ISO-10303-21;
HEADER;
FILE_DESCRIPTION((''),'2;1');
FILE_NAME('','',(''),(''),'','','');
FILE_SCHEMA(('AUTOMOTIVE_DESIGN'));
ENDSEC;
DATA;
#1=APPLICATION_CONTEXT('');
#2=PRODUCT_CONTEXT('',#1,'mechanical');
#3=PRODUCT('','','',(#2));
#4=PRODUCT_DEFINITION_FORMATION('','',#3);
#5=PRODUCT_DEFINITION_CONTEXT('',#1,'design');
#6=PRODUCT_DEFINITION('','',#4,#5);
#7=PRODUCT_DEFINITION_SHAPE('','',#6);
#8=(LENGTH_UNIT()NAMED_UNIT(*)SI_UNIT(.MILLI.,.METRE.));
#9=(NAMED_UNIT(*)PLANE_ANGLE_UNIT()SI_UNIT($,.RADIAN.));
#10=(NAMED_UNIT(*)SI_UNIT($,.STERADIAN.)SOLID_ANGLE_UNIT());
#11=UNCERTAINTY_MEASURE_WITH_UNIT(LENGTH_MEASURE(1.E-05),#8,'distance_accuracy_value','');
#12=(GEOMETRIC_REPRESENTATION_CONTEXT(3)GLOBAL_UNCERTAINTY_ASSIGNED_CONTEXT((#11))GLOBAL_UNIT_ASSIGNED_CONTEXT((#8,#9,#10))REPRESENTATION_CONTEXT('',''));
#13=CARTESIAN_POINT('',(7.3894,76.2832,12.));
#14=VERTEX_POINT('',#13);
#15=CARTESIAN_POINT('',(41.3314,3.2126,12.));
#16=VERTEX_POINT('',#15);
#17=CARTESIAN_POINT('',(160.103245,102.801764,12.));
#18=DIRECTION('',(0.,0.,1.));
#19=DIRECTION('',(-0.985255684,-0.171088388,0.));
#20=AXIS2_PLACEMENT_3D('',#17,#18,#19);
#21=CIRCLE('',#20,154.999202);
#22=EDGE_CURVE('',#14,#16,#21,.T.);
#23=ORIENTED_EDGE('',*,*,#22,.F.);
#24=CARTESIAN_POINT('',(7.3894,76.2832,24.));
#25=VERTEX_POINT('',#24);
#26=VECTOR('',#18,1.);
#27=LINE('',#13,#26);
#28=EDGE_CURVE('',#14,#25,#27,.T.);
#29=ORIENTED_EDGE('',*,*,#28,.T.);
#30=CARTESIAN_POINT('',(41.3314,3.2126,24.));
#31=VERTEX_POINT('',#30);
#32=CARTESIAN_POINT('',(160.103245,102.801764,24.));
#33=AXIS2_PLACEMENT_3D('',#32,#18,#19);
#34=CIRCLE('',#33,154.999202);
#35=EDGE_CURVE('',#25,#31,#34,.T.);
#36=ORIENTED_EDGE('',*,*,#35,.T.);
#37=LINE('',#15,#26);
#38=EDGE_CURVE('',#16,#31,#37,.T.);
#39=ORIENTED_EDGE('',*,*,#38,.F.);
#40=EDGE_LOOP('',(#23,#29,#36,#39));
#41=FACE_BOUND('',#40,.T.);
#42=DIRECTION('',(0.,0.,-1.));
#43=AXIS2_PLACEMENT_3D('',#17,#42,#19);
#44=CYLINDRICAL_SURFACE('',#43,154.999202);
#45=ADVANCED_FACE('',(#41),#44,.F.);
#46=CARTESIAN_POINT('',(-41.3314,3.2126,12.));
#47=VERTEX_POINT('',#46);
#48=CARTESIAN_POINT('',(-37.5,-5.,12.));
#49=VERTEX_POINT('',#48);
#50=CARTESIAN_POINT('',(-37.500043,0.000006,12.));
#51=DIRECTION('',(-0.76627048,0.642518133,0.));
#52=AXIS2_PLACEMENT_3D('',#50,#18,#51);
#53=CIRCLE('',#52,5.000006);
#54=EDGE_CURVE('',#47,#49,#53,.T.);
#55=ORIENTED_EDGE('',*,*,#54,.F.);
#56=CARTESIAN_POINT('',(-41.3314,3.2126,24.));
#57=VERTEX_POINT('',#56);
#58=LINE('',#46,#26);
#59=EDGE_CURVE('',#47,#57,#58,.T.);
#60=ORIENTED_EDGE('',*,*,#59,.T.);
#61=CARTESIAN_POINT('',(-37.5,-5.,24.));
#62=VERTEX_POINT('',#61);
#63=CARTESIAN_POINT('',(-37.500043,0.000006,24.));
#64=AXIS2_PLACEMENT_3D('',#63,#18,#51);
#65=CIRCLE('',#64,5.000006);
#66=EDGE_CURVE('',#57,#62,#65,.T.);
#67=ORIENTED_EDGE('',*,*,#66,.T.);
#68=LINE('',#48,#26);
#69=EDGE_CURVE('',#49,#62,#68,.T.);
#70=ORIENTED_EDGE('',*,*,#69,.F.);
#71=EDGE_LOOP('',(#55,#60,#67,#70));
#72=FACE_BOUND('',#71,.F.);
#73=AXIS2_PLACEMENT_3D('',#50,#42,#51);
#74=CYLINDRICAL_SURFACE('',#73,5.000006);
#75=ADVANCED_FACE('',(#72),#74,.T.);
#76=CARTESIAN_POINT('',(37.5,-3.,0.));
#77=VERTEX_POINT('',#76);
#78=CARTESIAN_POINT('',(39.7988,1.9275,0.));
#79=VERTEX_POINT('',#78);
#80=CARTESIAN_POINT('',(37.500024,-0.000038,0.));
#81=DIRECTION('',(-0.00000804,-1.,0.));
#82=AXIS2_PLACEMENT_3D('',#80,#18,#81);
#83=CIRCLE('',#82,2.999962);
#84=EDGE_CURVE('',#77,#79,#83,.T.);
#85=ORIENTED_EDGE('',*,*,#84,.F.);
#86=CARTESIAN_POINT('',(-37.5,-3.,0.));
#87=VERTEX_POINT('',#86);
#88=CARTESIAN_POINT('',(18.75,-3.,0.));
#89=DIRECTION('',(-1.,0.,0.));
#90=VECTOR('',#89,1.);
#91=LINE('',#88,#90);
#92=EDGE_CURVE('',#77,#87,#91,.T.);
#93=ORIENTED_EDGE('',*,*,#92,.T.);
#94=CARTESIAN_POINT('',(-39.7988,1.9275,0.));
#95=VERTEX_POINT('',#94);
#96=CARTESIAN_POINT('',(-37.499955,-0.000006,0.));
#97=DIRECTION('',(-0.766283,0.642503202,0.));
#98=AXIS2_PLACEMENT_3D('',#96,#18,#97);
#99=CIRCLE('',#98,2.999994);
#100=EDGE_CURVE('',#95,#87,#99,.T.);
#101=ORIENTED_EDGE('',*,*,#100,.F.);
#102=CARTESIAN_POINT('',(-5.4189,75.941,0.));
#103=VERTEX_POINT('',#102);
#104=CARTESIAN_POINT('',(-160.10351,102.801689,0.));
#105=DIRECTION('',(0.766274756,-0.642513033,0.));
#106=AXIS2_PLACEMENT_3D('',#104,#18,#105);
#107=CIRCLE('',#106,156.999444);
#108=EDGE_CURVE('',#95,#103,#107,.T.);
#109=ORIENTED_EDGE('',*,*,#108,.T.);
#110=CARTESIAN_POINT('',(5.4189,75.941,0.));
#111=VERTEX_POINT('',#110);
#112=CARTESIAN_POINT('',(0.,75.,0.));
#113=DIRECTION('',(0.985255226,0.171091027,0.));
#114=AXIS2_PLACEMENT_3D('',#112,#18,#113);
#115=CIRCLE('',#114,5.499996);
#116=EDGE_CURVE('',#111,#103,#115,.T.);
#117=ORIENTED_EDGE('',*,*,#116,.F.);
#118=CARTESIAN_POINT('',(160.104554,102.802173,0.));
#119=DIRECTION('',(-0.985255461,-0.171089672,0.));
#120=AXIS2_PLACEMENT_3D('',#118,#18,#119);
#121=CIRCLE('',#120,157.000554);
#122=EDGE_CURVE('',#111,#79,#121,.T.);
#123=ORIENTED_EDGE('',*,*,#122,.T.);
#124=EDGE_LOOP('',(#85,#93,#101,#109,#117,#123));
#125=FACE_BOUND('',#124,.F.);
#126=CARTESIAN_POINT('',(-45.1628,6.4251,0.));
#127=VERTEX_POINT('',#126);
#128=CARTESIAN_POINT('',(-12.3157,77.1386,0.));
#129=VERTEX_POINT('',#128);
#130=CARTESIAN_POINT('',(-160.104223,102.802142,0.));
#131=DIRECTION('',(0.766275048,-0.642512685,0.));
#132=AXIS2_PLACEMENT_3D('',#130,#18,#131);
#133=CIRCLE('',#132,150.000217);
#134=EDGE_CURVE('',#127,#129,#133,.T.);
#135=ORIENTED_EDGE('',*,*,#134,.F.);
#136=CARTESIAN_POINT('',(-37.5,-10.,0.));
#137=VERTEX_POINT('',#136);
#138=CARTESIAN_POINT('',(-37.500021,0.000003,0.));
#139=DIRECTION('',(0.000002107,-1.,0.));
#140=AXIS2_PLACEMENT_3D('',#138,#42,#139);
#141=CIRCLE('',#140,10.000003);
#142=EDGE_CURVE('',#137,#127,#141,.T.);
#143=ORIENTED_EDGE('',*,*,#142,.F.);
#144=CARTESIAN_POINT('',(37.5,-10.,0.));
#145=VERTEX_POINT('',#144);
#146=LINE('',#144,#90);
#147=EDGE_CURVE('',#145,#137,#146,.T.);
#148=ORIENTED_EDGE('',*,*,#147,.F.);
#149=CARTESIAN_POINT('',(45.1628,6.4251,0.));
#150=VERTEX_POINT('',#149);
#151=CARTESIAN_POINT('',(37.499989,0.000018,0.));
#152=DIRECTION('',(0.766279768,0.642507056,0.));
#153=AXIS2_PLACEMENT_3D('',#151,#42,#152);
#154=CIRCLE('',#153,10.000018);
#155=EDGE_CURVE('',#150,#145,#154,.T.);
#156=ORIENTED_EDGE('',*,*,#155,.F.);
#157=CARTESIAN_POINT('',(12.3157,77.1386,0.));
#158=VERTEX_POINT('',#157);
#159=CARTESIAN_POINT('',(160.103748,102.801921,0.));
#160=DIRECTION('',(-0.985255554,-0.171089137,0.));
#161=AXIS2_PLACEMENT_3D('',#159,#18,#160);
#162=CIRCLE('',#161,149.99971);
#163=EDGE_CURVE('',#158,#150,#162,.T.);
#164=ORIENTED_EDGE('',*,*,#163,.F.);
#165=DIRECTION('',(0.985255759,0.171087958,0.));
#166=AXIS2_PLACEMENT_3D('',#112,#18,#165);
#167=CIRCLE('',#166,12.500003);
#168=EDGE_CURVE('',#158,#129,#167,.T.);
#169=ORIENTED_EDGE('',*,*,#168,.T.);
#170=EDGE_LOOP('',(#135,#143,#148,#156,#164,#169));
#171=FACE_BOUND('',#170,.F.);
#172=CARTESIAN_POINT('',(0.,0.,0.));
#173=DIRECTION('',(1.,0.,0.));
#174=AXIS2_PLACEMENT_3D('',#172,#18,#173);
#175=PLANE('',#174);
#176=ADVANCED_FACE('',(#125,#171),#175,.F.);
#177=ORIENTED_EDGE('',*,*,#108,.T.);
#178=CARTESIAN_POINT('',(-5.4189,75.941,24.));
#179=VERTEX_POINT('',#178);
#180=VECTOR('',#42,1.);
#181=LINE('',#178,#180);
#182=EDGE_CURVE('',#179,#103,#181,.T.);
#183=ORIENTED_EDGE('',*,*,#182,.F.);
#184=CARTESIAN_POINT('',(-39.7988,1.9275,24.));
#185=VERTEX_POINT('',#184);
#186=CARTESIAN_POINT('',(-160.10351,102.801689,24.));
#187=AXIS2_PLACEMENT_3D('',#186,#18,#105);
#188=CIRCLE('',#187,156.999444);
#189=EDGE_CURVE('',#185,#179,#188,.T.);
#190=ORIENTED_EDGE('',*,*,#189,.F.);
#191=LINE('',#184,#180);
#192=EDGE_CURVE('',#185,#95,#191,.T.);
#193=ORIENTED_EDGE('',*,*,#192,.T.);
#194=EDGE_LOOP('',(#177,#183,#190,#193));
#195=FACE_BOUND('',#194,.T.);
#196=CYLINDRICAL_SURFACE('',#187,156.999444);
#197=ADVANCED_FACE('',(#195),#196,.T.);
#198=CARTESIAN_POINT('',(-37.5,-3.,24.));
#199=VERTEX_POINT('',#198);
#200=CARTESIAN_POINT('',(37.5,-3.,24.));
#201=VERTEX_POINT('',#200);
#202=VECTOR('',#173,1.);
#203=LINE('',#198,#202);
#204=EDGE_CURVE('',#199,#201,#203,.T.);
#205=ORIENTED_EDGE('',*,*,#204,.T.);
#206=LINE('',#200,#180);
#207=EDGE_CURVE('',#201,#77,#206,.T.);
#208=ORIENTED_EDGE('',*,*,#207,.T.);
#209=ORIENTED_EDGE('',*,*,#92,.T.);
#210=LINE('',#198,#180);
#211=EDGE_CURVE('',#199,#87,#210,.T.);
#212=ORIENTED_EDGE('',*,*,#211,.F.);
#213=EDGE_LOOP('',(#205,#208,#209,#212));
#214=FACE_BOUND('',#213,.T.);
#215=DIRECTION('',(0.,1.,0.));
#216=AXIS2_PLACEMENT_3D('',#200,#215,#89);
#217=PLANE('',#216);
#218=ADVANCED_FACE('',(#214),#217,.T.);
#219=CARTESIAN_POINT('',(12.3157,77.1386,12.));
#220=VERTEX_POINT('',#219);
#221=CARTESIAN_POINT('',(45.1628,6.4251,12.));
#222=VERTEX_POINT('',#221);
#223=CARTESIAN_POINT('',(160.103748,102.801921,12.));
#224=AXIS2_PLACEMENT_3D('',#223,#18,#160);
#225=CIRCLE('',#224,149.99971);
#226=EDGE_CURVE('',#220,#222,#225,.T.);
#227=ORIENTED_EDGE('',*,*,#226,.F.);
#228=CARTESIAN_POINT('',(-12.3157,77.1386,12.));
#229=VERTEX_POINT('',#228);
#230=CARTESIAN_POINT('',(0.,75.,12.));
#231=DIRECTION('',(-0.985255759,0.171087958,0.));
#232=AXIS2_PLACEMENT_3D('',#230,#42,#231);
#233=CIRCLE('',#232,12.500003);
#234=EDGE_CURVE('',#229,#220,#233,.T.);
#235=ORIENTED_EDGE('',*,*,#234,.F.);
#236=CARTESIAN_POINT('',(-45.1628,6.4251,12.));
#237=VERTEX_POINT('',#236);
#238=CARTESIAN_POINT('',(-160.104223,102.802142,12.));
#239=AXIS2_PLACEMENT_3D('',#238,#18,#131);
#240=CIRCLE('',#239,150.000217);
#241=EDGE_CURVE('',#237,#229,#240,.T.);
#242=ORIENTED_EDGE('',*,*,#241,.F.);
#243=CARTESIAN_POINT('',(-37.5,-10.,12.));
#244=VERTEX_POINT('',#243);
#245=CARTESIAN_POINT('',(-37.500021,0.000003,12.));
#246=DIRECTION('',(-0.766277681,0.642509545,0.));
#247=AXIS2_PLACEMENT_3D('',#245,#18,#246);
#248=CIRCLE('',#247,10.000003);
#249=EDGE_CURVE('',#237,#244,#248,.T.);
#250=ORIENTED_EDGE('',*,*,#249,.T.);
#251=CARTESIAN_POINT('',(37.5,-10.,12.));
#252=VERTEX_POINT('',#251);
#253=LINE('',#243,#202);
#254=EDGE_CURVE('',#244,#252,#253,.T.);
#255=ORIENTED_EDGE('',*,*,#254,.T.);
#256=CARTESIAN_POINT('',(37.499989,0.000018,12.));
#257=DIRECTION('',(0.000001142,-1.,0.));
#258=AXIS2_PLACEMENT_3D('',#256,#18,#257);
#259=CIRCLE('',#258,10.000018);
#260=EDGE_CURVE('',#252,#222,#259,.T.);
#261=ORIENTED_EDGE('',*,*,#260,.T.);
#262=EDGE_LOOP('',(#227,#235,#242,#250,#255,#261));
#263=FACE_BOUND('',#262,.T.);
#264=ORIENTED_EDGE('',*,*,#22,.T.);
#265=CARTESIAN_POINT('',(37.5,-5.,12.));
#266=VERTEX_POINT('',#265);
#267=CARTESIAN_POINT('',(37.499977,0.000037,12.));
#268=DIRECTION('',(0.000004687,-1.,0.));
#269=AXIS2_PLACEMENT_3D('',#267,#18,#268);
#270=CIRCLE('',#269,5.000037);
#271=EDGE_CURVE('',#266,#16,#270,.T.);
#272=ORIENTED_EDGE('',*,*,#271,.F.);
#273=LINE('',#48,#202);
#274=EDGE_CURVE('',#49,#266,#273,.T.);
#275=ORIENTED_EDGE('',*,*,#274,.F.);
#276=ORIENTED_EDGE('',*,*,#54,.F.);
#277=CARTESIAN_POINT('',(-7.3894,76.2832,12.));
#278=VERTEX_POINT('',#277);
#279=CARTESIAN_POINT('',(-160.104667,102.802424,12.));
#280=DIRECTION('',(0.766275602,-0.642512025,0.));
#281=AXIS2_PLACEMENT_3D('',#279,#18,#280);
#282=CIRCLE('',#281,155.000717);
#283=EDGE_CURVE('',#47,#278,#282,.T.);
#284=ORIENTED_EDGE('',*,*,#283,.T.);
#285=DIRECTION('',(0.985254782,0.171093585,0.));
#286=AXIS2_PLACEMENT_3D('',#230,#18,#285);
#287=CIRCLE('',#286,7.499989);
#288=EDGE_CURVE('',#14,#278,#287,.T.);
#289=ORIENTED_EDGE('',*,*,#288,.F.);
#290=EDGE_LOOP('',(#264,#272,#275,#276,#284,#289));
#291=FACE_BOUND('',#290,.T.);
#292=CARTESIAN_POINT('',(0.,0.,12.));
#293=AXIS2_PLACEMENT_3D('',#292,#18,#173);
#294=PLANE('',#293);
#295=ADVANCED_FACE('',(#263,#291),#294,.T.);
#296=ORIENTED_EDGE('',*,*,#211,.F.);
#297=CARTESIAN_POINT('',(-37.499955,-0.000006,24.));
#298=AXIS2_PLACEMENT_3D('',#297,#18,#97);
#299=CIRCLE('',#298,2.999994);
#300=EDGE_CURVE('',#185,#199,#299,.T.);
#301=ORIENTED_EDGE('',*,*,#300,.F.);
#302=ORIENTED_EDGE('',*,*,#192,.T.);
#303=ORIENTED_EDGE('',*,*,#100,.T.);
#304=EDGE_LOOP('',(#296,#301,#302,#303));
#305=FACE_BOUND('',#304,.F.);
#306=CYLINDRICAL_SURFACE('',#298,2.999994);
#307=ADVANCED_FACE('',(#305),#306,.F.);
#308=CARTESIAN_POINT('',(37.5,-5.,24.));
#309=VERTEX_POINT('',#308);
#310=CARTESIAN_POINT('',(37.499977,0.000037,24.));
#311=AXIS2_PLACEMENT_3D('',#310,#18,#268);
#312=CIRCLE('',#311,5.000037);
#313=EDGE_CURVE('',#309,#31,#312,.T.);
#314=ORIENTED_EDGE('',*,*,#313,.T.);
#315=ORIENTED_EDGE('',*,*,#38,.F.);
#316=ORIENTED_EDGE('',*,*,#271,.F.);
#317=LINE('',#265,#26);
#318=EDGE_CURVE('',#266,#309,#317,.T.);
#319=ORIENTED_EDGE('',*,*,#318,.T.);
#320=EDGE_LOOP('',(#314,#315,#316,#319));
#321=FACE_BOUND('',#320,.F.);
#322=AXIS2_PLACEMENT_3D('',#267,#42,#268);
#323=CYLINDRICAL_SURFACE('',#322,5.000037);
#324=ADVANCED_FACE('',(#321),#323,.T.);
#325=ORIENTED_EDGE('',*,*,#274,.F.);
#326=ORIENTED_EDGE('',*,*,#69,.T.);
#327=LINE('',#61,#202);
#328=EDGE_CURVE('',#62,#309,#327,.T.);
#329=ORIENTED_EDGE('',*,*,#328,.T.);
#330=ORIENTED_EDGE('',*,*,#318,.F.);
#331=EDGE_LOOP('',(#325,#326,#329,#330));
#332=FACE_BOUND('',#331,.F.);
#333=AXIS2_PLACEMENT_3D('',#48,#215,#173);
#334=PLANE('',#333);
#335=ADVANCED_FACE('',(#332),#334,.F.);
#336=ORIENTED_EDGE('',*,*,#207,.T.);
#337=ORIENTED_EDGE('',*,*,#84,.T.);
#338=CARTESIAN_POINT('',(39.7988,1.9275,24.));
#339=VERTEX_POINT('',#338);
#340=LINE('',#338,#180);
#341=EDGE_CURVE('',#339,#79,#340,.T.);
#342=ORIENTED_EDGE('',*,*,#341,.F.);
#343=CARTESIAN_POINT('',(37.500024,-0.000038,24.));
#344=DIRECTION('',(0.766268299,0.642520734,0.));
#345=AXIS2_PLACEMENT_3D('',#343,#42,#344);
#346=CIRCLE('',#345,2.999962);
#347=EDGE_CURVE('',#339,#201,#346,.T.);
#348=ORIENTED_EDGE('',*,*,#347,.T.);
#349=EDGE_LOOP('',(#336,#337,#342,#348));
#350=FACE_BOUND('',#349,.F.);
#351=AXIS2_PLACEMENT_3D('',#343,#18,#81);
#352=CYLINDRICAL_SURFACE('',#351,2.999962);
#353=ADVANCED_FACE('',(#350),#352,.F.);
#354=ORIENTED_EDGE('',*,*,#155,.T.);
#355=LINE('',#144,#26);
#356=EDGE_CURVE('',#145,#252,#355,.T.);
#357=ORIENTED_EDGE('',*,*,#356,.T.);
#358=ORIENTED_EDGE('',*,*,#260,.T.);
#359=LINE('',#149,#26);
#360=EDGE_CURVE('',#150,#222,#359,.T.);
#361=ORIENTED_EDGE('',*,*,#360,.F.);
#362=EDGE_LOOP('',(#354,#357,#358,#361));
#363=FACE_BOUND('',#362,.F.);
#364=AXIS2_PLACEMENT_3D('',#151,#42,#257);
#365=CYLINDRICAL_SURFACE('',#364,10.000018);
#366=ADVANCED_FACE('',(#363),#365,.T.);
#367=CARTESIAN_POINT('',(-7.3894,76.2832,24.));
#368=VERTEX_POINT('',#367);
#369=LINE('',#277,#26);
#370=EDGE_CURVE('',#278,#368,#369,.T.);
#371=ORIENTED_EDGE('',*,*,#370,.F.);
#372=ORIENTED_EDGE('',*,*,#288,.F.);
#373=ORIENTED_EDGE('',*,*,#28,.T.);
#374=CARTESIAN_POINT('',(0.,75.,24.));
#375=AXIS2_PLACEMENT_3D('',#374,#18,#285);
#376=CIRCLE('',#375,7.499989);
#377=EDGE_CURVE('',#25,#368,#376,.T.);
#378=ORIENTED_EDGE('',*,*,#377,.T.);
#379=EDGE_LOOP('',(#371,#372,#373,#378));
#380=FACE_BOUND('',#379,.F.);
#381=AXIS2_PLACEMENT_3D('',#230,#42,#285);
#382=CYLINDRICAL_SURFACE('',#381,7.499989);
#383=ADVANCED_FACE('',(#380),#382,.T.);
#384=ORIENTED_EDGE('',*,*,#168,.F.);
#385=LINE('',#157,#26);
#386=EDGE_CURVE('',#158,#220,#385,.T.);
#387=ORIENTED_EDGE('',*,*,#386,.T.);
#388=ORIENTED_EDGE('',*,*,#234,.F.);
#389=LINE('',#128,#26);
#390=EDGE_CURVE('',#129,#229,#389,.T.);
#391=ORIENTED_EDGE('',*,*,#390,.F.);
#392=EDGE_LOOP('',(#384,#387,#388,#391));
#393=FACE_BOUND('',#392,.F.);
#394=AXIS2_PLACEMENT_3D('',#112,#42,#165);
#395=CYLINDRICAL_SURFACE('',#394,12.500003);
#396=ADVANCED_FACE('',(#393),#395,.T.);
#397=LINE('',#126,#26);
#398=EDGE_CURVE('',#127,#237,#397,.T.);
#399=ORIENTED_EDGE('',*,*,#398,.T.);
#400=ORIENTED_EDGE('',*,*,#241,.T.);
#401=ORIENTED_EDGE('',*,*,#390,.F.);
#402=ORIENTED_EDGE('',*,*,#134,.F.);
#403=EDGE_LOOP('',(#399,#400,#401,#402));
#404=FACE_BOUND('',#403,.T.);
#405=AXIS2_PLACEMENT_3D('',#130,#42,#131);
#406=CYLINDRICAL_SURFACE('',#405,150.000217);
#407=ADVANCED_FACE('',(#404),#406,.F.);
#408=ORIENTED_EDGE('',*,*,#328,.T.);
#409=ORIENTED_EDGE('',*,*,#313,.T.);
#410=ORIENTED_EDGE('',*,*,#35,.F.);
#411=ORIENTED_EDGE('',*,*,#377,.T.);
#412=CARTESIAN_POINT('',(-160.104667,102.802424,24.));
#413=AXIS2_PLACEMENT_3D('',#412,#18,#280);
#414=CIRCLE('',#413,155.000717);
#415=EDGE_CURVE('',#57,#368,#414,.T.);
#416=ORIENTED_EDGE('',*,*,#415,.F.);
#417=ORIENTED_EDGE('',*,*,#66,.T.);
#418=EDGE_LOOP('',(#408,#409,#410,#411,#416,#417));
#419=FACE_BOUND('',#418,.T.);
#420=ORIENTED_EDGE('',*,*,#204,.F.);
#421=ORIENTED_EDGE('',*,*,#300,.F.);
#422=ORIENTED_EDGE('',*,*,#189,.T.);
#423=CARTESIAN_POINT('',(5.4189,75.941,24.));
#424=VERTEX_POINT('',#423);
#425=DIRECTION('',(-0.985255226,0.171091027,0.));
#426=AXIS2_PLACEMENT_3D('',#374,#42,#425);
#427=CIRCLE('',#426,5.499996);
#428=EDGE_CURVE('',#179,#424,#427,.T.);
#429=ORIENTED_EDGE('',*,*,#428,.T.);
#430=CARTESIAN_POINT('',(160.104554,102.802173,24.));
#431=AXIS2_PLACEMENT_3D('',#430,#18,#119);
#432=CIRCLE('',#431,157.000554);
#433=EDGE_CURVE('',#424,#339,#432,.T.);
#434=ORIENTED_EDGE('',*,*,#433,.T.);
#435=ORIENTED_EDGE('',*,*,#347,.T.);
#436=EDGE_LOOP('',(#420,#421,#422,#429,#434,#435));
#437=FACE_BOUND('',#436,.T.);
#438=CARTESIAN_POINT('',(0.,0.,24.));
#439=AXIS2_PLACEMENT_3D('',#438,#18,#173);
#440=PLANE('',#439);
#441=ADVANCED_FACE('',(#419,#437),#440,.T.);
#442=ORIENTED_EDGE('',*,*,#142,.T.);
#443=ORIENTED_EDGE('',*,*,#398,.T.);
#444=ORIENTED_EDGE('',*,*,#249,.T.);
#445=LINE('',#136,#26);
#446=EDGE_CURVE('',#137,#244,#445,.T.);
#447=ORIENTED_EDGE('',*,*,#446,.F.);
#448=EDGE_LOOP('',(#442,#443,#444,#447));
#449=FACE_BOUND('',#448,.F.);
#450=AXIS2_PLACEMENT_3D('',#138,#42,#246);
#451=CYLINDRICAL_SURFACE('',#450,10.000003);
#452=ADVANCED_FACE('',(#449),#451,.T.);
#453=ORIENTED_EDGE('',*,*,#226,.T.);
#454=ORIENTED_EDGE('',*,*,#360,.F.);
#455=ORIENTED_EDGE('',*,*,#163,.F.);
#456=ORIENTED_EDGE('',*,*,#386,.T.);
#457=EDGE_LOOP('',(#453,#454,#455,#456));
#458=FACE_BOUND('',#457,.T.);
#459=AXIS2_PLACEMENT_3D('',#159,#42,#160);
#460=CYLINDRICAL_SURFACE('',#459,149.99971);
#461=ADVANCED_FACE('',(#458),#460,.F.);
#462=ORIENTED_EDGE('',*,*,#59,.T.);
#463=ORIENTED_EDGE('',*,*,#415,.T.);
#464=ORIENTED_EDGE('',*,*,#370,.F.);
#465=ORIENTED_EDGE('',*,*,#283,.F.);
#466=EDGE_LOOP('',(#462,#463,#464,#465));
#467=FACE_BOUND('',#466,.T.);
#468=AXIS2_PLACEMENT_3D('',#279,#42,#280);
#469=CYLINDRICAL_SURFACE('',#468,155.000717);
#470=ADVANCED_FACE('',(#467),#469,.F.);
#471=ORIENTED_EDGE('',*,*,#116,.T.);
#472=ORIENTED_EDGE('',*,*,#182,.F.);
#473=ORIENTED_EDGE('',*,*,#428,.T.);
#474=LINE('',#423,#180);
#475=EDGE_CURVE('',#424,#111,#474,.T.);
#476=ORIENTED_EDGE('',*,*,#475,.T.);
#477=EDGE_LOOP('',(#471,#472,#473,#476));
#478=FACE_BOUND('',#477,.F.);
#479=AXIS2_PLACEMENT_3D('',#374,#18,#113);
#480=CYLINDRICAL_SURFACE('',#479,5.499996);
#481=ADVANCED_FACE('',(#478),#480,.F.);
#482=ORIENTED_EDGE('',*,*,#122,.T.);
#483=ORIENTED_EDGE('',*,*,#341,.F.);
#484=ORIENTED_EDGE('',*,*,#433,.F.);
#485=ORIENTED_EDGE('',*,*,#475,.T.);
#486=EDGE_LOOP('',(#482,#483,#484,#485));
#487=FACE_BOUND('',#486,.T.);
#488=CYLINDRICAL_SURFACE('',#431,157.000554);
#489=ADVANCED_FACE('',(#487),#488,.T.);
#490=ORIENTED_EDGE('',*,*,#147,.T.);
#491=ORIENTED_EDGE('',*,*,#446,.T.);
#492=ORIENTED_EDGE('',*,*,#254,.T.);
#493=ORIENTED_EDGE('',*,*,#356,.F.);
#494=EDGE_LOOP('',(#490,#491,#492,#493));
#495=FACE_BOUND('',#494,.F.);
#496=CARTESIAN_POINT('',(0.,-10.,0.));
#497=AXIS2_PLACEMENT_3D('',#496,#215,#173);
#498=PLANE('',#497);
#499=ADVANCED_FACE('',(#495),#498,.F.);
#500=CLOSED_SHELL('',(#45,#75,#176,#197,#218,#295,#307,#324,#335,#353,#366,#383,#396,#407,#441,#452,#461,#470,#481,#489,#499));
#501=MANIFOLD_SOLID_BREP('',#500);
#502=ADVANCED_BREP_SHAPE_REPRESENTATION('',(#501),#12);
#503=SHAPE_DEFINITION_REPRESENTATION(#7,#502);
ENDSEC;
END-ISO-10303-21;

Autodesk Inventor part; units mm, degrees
ref_plane "XY Plane" through (0, 0, 0) normal (0, 0, 1) x (1, 0, 0)
sketch "Sketch1" plane through (0, 0, 0) normal (0, 0, 1) x (1, 0, 0)
  line L0 (0, 137.3747) -> (0, -23.9646) projected
  line L1 (-192.1248, 0) -> (256.1664, 0) projected
  arc A0 (-45.1628, 6.4251) -> (-37.5, -10) centre (-37.5, 0) ccw
  arc A1 (37.5, -10) -> (45.1628, 6.4251) centre (37.5, 0) ccw
  arc A2 (12.3157, 77.1386) -> (-12.3157, 77.1386) centre (0, 75) ccw
  arc A3 (-45.1628, 6.4251) -> (-12.3157, 77.1386) centre (-160.104, 102.802) ccw
  arc A4 (12.3157, 77.1386) -> (45.1628, 6.4251) centre (160.104, 102.802) ccw
  line L2 (-37.5, -10) -> (37.5, -10)
  dimension "d0" = 20
  dimension "d1" = 25
  dimension "d2" = 75
  dimension "d3" = 75
  dimension "d4" = 150
extrude "Extrusion1" add sketch "Sketch1" along normal blind 12
sketch "Sketch2" plane through (0, 0, 12) normal (0, 0, 1) x (1, 0, 0)
  arc A0 (-45.1628, 6.4251) -> (-12.3157, 77.1386) centre (-160.104, 102.802) ccw projected
  arc A1 (-45.1628, 6.4251) -> (-37.5, -10) centre (-37.5, 0) ccw projected
  line L0 (37.5, -10) -> (-37.5, -10) projected
  arc A2 (37.5, -10) -> (45.1628, 6.4251) centre (37.5, 0) ccw projected
  arc A3 (12.3157, 77.1386) -> (45.1628, 6.4251) centre (160.104, 102.802) ccw projected
  arc A4 (12.3157, 77.1386) -> (-12.3157, 77.1386) centre (0, 75) ccw projected
  arc A5 (-41.3314, 3.2126) -> (-7.3894, 76.2832) centre (-160.104, 102.802) ccw
  arc A6 (-41.3314, 3.2126) -> (-37.5, -5) centre (-37.5, 0) ccw
  line L1 (-37.5, -5) -> (37.5, -5)
  arc A7 (37.5, -5) -> (41.3314, 3.2126) centre (37.5, 0) ccw
  arc A8 (7.3894, 76.2832) -> (41.3314, 3.2126) centre (160.104, 102.802) ccw
  arc A9 (7.3894, 76.2832) -> (-7.3894, 76.2832) centre (0, 75) ccw
  dimension "d7" = 5
extrude "Extrusion2" add sketch "Sketch2" along normal blind 12 contours A5 A9 A8 A7 L1 A6
sketch "Sketch3" plane through (0, 0, 24) normal (0, 0, 1) x (1, 0, 0)
  arc A0 (5.4189, 75.941) -> (-5.4189, 75.941) centre (0, 75) ccw
  arc A1 (5.4189, 75.941) -> (39.7988, 1.9275) centre (160.104, 102.802) ccw
  arc A2 (37.5, -3) -> (39.7988, 1.9275) centre (37.5, 0) ccw
  line L0 (37.5, -3) -> (-37.5, -3)
  arc A3 (-39.7988, 1.9275) -> (-37.5, -3) centre (-37.5, 0) ccw
  arc A4 (-39.7988, 1.9275) -> (-5.4189, 75.941) centre (-160.104, 102.802) ccw
  line L1 (0, 116.75) -> (0, -19.75) projected
  line L2 (-57, 0) -> (76, 0) projected
  dimension "d13" = 3
extrude "Extrusion3" cut sketch "Sketch3" against normal through all
properties part number "redefine"
